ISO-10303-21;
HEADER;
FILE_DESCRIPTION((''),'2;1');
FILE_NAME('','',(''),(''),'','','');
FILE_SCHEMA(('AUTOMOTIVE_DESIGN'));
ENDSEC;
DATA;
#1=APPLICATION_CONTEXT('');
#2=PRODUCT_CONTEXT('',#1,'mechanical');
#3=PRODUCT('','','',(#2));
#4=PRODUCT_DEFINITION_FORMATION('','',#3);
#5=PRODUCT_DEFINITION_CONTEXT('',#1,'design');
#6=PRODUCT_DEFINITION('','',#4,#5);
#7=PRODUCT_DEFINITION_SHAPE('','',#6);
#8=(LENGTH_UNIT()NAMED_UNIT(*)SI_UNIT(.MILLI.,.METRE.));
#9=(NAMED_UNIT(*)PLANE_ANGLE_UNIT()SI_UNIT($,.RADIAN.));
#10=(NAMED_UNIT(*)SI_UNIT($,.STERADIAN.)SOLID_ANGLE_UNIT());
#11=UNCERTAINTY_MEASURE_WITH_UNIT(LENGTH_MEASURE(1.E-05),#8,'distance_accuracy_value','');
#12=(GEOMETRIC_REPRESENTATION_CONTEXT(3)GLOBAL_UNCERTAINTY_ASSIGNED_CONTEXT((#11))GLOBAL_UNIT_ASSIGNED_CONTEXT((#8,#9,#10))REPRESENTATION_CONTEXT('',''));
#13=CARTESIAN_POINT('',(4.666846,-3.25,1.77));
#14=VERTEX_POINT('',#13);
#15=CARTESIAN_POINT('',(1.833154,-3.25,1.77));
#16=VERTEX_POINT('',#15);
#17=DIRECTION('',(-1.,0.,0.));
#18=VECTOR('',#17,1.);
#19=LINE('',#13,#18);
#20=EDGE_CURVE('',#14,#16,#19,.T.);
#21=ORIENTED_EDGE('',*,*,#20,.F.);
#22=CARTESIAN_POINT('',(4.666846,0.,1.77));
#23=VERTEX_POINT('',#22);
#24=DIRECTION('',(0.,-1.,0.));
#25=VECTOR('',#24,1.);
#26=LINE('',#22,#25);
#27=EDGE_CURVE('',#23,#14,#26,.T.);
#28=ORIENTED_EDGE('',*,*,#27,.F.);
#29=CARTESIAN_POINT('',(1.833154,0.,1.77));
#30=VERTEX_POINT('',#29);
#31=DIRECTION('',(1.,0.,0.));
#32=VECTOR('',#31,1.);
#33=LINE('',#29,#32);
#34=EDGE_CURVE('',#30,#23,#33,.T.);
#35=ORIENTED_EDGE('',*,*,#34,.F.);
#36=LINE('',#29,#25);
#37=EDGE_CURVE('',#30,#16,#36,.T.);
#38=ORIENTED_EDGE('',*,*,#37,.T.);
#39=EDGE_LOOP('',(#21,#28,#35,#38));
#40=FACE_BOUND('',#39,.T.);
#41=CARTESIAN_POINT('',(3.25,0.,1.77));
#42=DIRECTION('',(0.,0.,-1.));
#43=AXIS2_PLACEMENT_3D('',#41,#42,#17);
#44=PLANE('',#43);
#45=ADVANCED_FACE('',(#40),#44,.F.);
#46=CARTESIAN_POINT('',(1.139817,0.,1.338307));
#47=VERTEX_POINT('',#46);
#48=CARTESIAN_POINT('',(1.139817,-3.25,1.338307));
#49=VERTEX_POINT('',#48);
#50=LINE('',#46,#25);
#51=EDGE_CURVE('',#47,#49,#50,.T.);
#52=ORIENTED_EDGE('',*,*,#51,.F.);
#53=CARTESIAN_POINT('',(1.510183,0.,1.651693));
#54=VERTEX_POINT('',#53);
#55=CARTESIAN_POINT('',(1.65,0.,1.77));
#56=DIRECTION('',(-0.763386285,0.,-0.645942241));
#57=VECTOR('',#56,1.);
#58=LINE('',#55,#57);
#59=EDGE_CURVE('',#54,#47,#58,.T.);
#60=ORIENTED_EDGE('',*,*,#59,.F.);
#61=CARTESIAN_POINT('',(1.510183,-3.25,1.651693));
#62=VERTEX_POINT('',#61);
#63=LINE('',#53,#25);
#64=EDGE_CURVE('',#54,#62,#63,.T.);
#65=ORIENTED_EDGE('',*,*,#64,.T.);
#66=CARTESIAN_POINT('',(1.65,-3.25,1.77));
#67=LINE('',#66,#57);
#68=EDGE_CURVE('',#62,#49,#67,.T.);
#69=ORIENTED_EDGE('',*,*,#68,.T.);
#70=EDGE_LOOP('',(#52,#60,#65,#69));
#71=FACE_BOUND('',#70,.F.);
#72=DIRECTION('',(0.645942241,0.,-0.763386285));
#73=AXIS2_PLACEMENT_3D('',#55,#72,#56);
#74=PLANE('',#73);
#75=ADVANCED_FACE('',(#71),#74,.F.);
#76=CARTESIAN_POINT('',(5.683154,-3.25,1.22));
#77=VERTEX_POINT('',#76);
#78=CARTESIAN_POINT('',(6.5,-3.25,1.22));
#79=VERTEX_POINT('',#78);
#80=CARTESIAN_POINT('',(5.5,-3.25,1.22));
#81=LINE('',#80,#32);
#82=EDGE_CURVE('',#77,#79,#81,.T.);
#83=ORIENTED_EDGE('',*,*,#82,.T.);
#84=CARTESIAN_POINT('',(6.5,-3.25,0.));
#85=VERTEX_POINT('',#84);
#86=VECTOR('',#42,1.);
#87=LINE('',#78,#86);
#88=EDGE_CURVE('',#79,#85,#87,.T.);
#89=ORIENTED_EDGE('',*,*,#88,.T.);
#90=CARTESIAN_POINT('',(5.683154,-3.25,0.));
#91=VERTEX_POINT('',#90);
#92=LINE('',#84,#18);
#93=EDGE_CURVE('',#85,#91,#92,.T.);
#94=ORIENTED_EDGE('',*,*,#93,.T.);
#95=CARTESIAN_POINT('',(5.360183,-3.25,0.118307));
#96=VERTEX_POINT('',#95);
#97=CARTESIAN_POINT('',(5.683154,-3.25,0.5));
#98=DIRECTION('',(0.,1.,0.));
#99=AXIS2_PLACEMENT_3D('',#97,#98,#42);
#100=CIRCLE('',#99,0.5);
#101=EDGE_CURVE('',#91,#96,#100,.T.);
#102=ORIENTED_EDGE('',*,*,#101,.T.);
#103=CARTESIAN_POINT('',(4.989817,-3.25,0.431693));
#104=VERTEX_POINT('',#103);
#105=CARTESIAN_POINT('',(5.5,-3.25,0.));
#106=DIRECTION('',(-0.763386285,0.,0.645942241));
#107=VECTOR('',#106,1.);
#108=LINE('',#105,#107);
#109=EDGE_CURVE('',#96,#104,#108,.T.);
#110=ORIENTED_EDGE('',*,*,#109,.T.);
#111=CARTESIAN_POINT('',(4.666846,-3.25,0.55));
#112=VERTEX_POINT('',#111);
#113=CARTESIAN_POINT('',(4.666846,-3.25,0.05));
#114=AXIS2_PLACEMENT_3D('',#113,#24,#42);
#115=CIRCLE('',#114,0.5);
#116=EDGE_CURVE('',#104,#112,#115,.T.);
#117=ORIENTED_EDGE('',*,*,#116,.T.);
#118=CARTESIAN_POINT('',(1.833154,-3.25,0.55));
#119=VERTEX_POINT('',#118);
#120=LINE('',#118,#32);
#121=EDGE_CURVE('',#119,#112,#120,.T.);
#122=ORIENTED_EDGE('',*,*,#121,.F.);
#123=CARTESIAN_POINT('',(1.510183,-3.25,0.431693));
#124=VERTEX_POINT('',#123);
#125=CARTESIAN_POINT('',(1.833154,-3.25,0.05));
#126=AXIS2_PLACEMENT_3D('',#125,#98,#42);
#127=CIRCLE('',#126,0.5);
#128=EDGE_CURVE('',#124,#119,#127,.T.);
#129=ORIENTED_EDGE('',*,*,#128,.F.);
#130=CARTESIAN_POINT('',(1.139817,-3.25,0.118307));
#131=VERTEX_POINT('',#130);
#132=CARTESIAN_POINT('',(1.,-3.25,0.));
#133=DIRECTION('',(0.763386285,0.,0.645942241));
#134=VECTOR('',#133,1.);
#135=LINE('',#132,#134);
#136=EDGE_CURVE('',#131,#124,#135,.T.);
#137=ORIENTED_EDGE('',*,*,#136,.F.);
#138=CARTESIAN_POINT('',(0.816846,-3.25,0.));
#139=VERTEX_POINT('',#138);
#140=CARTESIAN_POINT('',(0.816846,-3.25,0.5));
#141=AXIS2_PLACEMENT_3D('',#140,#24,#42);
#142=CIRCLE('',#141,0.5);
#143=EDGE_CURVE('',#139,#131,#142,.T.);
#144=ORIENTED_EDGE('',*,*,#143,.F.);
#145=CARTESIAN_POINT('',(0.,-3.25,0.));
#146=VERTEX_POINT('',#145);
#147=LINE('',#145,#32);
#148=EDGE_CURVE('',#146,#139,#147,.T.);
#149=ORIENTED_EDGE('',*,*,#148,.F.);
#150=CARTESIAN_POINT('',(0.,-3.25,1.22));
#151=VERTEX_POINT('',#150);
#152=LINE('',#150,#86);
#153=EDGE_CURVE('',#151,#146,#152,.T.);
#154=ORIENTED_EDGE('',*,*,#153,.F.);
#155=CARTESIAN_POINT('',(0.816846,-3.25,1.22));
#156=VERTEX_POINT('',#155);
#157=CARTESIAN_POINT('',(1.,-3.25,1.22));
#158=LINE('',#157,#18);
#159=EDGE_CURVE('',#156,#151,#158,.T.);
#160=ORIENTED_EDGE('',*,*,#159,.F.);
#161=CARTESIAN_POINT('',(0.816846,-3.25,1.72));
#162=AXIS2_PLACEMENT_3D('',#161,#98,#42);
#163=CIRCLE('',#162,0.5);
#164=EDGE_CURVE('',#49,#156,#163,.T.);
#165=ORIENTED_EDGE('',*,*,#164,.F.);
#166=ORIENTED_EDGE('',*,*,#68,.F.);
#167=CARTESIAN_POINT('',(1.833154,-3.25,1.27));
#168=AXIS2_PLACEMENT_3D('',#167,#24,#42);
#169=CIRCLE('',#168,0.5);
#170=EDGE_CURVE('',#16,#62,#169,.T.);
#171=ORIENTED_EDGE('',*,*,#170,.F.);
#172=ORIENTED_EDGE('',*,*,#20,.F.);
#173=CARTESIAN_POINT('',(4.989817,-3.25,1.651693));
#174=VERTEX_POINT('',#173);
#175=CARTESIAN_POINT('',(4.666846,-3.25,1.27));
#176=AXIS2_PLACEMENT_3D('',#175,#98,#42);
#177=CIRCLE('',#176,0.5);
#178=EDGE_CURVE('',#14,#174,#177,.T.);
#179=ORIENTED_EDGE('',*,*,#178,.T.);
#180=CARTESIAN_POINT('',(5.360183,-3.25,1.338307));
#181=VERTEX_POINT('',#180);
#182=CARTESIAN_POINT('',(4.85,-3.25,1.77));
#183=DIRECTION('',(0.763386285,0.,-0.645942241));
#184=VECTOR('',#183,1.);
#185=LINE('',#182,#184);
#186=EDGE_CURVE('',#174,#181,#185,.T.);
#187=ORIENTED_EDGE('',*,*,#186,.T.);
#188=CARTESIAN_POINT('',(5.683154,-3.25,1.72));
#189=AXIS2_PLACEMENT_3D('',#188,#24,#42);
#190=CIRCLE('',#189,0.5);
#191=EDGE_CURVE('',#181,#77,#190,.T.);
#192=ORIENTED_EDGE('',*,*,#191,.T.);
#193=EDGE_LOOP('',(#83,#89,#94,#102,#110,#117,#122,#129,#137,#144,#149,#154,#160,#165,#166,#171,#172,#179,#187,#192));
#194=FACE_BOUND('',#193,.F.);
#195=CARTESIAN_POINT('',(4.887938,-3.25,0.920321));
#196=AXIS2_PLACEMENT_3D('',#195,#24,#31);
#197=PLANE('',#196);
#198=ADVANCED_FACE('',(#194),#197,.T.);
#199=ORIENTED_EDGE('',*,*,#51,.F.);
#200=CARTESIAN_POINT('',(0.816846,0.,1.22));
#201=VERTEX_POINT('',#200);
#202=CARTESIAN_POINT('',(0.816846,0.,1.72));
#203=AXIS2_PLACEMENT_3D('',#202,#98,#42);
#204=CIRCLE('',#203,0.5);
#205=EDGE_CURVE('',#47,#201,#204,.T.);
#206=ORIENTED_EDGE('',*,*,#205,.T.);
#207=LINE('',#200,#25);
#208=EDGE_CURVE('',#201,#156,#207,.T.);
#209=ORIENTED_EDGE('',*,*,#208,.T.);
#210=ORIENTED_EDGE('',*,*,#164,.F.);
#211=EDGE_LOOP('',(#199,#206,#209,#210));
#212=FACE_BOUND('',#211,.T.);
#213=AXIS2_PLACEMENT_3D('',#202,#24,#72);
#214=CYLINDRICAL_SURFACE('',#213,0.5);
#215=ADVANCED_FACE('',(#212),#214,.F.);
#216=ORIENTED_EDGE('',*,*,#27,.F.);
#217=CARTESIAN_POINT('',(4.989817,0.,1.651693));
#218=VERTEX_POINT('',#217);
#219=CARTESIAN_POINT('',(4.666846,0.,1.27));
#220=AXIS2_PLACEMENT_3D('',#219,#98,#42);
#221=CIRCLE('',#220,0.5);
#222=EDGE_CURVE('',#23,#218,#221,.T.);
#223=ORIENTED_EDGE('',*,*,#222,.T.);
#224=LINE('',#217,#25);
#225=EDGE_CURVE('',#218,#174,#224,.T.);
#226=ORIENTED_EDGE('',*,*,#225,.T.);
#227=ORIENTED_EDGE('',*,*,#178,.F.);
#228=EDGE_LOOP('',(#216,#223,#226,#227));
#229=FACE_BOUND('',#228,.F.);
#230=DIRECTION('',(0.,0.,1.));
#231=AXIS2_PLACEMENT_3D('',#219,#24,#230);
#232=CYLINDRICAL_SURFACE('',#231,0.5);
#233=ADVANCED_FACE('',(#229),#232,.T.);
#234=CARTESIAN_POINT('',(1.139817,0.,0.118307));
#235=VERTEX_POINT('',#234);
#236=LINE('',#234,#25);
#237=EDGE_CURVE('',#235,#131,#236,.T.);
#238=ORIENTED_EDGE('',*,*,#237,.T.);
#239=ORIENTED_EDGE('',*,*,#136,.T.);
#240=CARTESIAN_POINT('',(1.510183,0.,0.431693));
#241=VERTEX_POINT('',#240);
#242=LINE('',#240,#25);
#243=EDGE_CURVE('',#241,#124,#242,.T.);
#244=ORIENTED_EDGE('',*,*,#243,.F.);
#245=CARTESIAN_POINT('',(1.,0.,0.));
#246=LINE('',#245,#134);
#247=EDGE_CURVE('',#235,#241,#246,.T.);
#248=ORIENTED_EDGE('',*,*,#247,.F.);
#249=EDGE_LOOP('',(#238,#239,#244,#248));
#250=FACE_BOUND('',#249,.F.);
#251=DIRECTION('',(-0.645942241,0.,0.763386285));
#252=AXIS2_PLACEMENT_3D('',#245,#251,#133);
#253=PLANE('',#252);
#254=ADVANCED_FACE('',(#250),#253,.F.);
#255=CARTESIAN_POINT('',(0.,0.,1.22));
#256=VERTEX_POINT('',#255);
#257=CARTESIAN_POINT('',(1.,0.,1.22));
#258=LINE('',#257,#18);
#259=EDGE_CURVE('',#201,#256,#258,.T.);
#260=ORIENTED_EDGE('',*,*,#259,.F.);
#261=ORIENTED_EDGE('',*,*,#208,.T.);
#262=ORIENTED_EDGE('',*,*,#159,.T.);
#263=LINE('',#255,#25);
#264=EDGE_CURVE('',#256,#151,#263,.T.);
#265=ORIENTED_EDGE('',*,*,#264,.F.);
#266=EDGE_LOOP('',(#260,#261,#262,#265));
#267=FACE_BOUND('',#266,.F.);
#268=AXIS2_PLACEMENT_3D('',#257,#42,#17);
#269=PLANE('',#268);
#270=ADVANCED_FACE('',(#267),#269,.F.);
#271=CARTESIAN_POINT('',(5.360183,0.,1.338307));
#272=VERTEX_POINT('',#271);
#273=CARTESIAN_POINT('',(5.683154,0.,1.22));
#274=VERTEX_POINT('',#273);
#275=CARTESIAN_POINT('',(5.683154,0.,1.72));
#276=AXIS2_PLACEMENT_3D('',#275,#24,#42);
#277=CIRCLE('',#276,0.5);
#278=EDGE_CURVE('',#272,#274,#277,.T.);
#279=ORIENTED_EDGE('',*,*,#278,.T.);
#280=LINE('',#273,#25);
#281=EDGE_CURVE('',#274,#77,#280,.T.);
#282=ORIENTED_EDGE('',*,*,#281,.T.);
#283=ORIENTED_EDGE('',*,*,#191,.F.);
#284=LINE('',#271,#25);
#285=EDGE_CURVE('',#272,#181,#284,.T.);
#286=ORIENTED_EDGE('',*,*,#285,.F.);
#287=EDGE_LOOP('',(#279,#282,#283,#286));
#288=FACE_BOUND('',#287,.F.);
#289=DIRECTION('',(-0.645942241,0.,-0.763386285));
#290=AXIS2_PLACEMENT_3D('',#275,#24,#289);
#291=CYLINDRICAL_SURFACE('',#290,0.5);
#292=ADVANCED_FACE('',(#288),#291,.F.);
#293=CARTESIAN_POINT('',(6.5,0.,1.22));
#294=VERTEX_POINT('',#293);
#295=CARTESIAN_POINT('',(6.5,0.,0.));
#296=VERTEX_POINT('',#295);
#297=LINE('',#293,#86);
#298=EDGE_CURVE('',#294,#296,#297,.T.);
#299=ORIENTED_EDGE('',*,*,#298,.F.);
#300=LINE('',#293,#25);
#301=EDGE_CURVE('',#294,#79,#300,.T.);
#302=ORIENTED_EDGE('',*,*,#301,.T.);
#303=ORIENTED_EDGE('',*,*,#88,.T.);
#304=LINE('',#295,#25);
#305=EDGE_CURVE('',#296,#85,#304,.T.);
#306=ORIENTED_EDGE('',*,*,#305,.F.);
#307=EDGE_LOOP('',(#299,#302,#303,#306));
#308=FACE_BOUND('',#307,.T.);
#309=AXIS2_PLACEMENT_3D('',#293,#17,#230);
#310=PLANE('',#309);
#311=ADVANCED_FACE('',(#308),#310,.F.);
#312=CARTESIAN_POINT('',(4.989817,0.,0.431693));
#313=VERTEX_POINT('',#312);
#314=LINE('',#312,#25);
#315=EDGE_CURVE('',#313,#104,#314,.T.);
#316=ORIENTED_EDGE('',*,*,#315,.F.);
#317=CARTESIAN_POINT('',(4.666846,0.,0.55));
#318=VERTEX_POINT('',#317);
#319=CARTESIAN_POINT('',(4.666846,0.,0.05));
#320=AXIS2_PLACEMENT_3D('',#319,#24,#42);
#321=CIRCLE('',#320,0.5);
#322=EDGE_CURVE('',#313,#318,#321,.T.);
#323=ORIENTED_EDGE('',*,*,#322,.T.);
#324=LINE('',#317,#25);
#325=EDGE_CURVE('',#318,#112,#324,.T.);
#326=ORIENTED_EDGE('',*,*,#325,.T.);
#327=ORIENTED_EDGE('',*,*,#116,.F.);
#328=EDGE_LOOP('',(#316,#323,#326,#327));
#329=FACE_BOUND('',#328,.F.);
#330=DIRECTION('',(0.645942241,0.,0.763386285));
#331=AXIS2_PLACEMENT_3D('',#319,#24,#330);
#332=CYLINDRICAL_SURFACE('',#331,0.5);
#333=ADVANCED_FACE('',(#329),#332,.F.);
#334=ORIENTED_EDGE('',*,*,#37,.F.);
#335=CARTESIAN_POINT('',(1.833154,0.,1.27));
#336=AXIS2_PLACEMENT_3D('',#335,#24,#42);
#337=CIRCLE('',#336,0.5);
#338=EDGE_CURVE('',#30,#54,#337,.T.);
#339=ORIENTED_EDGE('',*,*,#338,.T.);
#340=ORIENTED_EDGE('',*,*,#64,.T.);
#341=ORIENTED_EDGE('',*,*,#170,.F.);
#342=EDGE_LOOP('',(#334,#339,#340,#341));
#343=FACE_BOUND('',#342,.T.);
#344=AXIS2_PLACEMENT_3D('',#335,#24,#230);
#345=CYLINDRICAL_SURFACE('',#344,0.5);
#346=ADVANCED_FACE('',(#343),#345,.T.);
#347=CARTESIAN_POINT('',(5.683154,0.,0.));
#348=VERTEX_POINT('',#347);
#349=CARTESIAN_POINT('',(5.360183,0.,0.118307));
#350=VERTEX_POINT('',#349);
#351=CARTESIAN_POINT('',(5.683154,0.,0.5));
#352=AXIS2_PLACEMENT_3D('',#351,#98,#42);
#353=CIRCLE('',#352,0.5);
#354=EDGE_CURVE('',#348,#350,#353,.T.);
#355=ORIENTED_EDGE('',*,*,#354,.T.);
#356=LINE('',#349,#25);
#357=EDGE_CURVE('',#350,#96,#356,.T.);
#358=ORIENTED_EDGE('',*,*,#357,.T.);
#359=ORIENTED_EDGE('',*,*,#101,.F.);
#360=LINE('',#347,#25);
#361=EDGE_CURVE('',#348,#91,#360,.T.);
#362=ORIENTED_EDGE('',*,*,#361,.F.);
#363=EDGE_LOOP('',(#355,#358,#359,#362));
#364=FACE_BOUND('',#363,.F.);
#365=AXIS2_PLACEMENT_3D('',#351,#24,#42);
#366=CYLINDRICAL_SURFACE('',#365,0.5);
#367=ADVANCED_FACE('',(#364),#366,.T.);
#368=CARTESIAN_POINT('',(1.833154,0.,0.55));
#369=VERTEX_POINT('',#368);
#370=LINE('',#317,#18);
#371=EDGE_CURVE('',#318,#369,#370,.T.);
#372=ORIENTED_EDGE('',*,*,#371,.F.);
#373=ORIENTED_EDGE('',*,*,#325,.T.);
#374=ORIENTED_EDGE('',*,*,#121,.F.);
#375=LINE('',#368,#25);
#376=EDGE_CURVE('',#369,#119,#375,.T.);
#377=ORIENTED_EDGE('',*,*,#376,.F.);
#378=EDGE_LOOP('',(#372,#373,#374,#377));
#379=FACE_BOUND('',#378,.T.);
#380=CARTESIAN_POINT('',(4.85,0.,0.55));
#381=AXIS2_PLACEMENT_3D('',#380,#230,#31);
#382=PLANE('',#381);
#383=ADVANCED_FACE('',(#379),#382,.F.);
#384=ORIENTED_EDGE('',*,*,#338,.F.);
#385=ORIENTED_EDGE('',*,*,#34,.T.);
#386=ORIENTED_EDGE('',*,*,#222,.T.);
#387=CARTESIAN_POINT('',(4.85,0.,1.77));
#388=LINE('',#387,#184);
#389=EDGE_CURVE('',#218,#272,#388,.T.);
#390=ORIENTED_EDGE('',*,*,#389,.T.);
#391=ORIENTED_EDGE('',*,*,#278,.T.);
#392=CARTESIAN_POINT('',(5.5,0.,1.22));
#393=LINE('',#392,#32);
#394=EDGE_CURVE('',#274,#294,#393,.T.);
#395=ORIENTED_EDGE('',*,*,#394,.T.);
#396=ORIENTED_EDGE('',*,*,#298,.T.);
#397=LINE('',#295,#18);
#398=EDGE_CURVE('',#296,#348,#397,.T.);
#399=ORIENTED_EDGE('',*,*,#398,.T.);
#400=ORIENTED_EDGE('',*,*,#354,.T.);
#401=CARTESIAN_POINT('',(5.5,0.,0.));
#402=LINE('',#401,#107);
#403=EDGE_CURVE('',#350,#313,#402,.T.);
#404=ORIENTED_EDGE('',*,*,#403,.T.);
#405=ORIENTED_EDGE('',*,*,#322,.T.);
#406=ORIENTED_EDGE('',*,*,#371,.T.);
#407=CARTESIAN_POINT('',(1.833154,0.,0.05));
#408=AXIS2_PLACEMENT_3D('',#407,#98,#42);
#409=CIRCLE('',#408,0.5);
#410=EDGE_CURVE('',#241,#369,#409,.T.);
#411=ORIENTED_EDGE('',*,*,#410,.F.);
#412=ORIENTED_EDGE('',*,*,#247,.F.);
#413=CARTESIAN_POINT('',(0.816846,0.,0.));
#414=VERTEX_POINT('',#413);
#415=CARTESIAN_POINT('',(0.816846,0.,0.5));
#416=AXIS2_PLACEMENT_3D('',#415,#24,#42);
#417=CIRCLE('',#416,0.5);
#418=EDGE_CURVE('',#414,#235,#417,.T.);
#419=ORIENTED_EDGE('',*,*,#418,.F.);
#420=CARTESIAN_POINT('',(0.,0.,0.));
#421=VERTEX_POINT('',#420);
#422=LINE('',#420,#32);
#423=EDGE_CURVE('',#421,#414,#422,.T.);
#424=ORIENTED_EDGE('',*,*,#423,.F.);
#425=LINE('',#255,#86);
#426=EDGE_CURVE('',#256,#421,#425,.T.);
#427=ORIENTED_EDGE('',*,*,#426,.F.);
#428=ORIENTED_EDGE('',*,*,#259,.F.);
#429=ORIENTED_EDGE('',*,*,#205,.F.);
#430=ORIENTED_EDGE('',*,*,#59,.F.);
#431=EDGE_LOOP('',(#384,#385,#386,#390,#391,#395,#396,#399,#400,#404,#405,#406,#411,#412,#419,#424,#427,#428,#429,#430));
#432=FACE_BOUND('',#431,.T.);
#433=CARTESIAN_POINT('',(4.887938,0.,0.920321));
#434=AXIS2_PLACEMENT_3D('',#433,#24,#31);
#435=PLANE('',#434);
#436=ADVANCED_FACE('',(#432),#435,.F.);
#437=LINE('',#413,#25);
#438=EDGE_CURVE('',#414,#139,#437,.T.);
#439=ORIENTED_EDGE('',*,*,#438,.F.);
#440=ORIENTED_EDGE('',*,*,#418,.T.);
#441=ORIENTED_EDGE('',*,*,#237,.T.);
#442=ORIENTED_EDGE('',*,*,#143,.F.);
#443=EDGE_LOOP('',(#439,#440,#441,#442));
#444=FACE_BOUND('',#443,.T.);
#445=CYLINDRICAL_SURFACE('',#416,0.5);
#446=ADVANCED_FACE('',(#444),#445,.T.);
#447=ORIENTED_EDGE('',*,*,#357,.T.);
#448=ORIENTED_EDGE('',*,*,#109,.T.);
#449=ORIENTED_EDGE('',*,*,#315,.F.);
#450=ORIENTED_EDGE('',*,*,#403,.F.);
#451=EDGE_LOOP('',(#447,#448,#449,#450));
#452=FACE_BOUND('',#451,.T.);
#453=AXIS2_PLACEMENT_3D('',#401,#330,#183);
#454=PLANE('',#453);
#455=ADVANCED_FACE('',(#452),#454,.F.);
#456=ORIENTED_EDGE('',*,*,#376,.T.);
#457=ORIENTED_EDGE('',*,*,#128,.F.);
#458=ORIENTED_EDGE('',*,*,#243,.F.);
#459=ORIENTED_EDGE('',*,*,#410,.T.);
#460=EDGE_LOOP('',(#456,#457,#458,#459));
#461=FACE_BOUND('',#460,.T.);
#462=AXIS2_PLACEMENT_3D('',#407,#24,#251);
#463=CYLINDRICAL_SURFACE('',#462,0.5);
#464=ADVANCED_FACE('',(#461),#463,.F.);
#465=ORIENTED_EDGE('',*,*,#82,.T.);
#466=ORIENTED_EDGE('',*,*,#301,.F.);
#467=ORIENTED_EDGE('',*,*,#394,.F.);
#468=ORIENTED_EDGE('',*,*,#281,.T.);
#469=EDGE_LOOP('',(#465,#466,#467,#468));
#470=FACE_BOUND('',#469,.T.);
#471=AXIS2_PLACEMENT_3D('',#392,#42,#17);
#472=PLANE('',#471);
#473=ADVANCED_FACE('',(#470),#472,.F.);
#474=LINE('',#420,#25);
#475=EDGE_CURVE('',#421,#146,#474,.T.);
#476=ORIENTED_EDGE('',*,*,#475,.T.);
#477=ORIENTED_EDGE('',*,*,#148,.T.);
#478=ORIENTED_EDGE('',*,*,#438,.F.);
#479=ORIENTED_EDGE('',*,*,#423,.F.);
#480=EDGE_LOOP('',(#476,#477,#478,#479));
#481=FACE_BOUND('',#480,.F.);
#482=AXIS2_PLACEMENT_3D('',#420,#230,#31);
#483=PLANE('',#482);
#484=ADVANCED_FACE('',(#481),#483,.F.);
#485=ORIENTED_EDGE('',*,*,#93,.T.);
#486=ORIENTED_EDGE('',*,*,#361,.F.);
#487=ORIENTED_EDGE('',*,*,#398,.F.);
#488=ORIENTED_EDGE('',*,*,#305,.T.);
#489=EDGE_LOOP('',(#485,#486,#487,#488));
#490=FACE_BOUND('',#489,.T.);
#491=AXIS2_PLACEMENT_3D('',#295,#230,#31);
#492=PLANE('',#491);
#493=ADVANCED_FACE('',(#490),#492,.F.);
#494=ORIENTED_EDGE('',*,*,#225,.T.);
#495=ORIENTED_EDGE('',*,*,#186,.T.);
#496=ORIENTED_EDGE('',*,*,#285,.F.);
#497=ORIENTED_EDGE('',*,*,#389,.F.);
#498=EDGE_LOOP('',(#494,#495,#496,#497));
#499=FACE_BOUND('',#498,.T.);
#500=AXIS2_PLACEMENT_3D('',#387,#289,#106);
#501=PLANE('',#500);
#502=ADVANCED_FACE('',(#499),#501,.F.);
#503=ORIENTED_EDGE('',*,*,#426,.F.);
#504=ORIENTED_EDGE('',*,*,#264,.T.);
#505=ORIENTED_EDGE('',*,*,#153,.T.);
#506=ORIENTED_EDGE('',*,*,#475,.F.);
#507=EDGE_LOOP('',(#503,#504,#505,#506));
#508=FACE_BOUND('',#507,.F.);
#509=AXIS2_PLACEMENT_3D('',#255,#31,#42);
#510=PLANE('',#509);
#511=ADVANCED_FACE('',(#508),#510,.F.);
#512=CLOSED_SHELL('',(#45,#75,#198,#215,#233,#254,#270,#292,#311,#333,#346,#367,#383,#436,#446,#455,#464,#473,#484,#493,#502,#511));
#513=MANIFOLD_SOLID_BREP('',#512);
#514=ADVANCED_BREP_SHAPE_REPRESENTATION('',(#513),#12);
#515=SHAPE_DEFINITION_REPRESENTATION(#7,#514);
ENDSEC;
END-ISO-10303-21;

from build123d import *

# Parameters (mm, degrees)
F1_DEPTH = 3.25
F2_R     = 0.5


with BuildPart() as f1:
    # F0 (on Front) → F1 (new body)
    with BuildSketch(Plane.XZ):
        Polygon((0, 1.22), (0, 0), (1, 0), (1.65, 0.55), (3.25, 0.55), (3.25, 1.77), (1.65, 1.77), (1, 1.22), align=None)
    extrude(amount=F1_DEPTH)

    # F2
    f2_edges = [f1.edges().sort_by_distance(p)[0] for p in [
        (1, -1.625, 0),
        (1.65, -1.625, 0.55),
        (1, -1.625, 1.22),
        (1.65, -1.625, 1.77),
    ]]
    fillet(f2_edges, radius=F2_R)

    # F3: F1 across face


with BuildPart() as f1_1:
    add(f1.part)
    add(f1.part.mirror(Plane(origin=(3.25, -1.625, 1.16), x_dir=(0, 1, 0), z_dir=(1, 0, 0))))


solid = f1_1.part
